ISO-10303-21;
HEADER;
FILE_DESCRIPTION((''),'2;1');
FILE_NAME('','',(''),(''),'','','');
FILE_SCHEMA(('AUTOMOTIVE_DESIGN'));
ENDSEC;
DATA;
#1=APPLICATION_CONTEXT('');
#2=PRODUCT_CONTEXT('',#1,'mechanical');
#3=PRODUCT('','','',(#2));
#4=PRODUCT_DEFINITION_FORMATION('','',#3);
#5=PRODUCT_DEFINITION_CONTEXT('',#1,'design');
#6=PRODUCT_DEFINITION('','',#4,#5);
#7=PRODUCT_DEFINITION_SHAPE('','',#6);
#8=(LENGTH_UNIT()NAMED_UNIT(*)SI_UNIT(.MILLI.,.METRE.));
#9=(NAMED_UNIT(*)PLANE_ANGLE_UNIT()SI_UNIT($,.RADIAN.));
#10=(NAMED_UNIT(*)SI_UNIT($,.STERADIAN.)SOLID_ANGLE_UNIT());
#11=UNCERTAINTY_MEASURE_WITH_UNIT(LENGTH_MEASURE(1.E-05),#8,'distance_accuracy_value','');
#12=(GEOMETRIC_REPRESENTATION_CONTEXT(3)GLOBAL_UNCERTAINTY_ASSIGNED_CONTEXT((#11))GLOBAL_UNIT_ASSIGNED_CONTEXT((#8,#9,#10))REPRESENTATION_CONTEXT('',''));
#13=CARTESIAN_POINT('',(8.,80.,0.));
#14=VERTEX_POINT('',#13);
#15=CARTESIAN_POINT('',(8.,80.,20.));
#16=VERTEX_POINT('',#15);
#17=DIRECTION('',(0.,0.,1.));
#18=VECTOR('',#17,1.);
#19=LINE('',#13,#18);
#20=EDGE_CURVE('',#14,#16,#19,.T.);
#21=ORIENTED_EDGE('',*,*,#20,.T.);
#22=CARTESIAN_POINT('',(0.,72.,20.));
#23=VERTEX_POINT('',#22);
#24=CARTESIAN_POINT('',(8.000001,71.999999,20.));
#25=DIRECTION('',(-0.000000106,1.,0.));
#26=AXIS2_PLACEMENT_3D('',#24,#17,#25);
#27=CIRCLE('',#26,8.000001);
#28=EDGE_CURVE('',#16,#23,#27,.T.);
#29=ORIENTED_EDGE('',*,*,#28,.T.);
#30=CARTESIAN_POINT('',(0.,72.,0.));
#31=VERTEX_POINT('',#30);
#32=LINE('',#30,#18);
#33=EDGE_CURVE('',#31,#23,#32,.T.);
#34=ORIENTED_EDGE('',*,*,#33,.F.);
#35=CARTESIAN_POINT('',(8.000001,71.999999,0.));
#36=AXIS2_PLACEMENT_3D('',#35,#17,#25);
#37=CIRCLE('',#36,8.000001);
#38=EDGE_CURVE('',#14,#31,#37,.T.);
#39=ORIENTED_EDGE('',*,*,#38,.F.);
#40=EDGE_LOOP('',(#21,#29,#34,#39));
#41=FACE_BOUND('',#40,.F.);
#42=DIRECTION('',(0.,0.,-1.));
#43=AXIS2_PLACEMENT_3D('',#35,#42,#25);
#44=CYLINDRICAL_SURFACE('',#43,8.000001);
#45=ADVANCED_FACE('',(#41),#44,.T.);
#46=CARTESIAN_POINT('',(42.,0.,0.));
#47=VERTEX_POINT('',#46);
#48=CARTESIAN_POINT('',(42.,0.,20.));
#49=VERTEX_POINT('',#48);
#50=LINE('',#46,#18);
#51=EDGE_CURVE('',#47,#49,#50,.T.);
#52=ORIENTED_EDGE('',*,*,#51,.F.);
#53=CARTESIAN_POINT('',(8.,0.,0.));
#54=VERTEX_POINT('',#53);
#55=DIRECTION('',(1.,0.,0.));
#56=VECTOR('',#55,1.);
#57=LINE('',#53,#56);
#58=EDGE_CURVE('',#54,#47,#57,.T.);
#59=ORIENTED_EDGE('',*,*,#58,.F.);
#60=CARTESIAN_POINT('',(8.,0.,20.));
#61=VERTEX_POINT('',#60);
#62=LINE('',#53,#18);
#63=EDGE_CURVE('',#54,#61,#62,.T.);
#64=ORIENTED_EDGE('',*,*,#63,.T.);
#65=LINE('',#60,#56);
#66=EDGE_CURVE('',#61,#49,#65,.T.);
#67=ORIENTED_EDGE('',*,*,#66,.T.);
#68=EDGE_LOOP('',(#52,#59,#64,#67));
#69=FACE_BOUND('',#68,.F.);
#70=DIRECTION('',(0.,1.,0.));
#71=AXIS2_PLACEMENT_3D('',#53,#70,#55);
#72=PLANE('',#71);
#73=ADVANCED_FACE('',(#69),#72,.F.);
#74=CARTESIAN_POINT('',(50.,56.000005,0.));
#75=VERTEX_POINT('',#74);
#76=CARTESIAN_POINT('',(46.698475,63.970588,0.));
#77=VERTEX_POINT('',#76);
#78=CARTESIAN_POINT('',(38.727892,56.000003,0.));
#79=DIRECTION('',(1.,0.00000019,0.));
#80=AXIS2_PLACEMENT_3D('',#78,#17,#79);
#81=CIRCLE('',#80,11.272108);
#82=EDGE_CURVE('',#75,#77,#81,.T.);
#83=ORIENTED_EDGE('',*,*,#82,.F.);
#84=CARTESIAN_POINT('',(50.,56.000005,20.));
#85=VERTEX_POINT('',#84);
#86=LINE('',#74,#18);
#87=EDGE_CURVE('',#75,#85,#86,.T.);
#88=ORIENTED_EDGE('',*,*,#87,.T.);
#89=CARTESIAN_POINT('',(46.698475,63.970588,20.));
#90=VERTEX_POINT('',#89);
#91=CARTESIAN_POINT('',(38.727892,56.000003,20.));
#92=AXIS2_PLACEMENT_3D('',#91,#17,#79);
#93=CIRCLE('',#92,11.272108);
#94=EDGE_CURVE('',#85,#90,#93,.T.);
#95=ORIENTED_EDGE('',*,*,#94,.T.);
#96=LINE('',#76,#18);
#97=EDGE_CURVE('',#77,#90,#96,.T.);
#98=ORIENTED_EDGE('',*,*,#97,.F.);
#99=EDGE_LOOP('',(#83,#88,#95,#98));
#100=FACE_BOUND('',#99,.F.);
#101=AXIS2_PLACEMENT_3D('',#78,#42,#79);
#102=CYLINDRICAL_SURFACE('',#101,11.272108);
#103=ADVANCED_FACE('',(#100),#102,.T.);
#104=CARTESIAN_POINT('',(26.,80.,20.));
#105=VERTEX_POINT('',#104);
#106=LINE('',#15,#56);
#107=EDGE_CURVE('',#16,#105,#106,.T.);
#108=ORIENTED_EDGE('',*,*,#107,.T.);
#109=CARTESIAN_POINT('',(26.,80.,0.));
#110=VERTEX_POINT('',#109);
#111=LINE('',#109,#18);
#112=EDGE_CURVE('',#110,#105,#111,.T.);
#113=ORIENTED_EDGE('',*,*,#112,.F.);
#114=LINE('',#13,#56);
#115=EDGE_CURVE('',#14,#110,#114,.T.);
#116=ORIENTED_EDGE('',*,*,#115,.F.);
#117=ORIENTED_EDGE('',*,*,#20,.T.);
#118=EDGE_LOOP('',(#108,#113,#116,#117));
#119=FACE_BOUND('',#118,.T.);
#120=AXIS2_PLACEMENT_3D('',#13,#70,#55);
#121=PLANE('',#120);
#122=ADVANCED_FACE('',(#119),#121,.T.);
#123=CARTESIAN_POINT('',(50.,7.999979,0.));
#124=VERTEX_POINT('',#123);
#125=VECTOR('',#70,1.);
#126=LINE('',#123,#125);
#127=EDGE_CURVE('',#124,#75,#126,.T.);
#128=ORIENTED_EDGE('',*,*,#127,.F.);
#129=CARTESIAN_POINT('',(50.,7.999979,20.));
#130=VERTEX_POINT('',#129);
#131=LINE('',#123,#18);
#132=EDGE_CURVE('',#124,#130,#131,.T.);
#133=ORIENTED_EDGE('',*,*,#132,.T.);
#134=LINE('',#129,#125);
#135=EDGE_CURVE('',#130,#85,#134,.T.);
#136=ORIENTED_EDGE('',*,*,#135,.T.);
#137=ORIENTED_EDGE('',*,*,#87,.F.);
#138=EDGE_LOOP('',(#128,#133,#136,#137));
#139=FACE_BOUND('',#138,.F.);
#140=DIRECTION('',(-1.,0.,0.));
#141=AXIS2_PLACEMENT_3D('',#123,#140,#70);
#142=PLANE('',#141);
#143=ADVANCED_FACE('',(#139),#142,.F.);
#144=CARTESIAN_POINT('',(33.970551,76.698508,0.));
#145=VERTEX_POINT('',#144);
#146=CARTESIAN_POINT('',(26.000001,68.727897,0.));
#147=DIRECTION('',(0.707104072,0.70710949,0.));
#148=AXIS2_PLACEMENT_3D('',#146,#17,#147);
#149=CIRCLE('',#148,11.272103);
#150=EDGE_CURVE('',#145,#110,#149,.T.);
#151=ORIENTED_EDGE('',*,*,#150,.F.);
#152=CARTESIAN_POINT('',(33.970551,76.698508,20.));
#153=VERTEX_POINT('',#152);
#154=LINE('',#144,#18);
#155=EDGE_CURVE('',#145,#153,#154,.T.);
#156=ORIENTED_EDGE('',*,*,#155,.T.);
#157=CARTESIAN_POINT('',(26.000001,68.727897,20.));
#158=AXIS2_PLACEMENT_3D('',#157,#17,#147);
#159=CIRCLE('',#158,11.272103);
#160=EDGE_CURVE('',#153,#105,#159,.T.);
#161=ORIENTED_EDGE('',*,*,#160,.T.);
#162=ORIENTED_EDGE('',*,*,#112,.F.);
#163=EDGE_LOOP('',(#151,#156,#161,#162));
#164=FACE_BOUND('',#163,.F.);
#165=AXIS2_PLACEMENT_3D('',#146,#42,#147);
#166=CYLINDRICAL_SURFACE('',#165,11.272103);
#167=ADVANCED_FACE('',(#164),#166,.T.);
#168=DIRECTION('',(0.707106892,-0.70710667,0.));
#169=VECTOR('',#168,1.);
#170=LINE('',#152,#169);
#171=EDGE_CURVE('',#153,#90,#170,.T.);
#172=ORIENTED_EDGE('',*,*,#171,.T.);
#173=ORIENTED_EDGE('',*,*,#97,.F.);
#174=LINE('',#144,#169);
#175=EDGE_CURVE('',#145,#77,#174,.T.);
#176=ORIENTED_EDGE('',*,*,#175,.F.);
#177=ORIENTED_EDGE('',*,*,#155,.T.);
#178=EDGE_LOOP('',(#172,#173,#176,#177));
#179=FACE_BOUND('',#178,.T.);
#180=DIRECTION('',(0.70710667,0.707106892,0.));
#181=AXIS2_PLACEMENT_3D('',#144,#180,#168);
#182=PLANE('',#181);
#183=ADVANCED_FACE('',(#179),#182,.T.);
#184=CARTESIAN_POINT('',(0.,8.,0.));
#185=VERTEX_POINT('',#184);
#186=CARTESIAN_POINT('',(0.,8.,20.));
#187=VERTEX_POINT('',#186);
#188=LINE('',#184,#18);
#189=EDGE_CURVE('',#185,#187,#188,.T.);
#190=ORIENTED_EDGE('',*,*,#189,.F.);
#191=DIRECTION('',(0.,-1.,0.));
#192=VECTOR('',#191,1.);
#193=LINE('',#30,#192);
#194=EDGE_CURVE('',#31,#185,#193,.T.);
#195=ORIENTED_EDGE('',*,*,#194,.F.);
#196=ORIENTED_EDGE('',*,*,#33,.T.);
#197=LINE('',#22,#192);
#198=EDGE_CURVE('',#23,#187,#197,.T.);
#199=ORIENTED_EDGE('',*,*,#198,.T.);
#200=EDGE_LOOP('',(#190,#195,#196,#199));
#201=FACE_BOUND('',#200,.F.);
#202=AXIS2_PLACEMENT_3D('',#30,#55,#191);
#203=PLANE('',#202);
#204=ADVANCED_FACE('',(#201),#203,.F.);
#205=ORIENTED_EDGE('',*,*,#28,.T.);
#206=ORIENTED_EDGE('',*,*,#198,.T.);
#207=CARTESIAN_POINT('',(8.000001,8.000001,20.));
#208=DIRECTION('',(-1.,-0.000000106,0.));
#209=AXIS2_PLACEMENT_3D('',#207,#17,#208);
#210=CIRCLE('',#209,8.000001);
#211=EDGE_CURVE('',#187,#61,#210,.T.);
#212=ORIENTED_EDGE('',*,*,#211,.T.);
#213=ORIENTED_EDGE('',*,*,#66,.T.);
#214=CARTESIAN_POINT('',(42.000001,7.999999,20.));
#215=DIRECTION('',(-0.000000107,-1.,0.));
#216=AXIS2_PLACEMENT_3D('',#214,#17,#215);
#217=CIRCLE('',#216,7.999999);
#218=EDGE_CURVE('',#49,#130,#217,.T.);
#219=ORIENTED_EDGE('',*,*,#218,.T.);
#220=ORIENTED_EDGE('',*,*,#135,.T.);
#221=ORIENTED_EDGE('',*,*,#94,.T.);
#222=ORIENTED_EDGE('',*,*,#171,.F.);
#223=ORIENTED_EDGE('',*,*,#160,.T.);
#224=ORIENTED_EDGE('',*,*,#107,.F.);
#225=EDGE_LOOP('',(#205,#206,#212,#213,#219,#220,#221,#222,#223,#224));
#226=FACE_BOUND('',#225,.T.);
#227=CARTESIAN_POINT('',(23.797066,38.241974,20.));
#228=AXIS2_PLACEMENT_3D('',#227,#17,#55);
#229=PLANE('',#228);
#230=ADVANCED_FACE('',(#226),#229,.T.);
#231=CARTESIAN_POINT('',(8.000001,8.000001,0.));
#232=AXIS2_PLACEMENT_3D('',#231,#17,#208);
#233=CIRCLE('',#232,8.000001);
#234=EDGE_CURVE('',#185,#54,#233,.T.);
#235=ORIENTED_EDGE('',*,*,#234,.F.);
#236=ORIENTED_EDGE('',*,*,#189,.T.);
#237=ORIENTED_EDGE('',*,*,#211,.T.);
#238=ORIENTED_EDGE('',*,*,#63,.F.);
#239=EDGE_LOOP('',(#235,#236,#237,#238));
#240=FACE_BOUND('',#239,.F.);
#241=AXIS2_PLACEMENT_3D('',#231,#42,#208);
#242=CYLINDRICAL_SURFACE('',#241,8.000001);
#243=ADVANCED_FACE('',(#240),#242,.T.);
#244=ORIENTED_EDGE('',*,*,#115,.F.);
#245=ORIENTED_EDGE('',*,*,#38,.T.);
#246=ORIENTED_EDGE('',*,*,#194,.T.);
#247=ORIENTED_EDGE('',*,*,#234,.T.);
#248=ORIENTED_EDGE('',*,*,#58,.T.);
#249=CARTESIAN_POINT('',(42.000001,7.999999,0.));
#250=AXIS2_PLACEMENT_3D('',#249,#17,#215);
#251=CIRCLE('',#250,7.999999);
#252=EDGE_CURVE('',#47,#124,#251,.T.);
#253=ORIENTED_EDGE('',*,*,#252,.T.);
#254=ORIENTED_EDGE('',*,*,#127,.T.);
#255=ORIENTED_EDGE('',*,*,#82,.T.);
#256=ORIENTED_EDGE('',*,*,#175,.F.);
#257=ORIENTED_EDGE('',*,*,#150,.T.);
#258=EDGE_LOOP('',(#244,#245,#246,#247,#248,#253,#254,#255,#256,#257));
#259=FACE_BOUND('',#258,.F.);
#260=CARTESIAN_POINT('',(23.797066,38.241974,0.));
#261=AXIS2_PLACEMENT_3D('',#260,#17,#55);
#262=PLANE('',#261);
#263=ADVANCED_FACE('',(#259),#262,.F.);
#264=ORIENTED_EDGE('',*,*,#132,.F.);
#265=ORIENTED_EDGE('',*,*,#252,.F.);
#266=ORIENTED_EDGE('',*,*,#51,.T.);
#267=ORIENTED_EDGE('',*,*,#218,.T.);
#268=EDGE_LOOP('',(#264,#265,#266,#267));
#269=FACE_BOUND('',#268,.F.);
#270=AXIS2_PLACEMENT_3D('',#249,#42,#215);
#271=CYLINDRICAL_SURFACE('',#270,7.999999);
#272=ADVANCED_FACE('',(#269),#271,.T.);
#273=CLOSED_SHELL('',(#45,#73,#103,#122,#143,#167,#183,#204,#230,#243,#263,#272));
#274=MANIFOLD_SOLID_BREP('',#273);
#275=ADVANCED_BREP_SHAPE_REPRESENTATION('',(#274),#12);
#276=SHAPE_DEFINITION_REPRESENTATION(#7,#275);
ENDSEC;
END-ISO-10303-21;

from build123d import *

# Parameters (mm, degrees)
PAD_DEPTH = 20


with BuildPart() as part:
    # Sketch → Pad (new body)
    with BuildSketch(Plane.XY):
        with BuildLine():
            Line((50, 7.999979), (50, 56.000005))
            ThreePointArc((50, 56.000005), (49.141961, 60.313654), (46.698475, 63.970588))
            Line((33.970551, 76.698508), (46.698475, 63.970588))
            ThreePointArc((33.970551, 76.698508), (30.313627, 79.141971), (26, 80))
            Line((8, 80), (26, 80))
            ThreePointArc((8, 80), (2.343146, 77.656854), (0, 72))
            Line((0, 72), (0, 8))
            ThreePointArc((0, 8), (2.343146, 2.343146), (8, 0))
            Line((8, 0), (42, 0))
            ThreePointArc((42, 0), (47.656847, 2.343138), (50, 7.999979))
        make_face()
    extrude(amount=PAD_DEPTH)


solid = part.part
